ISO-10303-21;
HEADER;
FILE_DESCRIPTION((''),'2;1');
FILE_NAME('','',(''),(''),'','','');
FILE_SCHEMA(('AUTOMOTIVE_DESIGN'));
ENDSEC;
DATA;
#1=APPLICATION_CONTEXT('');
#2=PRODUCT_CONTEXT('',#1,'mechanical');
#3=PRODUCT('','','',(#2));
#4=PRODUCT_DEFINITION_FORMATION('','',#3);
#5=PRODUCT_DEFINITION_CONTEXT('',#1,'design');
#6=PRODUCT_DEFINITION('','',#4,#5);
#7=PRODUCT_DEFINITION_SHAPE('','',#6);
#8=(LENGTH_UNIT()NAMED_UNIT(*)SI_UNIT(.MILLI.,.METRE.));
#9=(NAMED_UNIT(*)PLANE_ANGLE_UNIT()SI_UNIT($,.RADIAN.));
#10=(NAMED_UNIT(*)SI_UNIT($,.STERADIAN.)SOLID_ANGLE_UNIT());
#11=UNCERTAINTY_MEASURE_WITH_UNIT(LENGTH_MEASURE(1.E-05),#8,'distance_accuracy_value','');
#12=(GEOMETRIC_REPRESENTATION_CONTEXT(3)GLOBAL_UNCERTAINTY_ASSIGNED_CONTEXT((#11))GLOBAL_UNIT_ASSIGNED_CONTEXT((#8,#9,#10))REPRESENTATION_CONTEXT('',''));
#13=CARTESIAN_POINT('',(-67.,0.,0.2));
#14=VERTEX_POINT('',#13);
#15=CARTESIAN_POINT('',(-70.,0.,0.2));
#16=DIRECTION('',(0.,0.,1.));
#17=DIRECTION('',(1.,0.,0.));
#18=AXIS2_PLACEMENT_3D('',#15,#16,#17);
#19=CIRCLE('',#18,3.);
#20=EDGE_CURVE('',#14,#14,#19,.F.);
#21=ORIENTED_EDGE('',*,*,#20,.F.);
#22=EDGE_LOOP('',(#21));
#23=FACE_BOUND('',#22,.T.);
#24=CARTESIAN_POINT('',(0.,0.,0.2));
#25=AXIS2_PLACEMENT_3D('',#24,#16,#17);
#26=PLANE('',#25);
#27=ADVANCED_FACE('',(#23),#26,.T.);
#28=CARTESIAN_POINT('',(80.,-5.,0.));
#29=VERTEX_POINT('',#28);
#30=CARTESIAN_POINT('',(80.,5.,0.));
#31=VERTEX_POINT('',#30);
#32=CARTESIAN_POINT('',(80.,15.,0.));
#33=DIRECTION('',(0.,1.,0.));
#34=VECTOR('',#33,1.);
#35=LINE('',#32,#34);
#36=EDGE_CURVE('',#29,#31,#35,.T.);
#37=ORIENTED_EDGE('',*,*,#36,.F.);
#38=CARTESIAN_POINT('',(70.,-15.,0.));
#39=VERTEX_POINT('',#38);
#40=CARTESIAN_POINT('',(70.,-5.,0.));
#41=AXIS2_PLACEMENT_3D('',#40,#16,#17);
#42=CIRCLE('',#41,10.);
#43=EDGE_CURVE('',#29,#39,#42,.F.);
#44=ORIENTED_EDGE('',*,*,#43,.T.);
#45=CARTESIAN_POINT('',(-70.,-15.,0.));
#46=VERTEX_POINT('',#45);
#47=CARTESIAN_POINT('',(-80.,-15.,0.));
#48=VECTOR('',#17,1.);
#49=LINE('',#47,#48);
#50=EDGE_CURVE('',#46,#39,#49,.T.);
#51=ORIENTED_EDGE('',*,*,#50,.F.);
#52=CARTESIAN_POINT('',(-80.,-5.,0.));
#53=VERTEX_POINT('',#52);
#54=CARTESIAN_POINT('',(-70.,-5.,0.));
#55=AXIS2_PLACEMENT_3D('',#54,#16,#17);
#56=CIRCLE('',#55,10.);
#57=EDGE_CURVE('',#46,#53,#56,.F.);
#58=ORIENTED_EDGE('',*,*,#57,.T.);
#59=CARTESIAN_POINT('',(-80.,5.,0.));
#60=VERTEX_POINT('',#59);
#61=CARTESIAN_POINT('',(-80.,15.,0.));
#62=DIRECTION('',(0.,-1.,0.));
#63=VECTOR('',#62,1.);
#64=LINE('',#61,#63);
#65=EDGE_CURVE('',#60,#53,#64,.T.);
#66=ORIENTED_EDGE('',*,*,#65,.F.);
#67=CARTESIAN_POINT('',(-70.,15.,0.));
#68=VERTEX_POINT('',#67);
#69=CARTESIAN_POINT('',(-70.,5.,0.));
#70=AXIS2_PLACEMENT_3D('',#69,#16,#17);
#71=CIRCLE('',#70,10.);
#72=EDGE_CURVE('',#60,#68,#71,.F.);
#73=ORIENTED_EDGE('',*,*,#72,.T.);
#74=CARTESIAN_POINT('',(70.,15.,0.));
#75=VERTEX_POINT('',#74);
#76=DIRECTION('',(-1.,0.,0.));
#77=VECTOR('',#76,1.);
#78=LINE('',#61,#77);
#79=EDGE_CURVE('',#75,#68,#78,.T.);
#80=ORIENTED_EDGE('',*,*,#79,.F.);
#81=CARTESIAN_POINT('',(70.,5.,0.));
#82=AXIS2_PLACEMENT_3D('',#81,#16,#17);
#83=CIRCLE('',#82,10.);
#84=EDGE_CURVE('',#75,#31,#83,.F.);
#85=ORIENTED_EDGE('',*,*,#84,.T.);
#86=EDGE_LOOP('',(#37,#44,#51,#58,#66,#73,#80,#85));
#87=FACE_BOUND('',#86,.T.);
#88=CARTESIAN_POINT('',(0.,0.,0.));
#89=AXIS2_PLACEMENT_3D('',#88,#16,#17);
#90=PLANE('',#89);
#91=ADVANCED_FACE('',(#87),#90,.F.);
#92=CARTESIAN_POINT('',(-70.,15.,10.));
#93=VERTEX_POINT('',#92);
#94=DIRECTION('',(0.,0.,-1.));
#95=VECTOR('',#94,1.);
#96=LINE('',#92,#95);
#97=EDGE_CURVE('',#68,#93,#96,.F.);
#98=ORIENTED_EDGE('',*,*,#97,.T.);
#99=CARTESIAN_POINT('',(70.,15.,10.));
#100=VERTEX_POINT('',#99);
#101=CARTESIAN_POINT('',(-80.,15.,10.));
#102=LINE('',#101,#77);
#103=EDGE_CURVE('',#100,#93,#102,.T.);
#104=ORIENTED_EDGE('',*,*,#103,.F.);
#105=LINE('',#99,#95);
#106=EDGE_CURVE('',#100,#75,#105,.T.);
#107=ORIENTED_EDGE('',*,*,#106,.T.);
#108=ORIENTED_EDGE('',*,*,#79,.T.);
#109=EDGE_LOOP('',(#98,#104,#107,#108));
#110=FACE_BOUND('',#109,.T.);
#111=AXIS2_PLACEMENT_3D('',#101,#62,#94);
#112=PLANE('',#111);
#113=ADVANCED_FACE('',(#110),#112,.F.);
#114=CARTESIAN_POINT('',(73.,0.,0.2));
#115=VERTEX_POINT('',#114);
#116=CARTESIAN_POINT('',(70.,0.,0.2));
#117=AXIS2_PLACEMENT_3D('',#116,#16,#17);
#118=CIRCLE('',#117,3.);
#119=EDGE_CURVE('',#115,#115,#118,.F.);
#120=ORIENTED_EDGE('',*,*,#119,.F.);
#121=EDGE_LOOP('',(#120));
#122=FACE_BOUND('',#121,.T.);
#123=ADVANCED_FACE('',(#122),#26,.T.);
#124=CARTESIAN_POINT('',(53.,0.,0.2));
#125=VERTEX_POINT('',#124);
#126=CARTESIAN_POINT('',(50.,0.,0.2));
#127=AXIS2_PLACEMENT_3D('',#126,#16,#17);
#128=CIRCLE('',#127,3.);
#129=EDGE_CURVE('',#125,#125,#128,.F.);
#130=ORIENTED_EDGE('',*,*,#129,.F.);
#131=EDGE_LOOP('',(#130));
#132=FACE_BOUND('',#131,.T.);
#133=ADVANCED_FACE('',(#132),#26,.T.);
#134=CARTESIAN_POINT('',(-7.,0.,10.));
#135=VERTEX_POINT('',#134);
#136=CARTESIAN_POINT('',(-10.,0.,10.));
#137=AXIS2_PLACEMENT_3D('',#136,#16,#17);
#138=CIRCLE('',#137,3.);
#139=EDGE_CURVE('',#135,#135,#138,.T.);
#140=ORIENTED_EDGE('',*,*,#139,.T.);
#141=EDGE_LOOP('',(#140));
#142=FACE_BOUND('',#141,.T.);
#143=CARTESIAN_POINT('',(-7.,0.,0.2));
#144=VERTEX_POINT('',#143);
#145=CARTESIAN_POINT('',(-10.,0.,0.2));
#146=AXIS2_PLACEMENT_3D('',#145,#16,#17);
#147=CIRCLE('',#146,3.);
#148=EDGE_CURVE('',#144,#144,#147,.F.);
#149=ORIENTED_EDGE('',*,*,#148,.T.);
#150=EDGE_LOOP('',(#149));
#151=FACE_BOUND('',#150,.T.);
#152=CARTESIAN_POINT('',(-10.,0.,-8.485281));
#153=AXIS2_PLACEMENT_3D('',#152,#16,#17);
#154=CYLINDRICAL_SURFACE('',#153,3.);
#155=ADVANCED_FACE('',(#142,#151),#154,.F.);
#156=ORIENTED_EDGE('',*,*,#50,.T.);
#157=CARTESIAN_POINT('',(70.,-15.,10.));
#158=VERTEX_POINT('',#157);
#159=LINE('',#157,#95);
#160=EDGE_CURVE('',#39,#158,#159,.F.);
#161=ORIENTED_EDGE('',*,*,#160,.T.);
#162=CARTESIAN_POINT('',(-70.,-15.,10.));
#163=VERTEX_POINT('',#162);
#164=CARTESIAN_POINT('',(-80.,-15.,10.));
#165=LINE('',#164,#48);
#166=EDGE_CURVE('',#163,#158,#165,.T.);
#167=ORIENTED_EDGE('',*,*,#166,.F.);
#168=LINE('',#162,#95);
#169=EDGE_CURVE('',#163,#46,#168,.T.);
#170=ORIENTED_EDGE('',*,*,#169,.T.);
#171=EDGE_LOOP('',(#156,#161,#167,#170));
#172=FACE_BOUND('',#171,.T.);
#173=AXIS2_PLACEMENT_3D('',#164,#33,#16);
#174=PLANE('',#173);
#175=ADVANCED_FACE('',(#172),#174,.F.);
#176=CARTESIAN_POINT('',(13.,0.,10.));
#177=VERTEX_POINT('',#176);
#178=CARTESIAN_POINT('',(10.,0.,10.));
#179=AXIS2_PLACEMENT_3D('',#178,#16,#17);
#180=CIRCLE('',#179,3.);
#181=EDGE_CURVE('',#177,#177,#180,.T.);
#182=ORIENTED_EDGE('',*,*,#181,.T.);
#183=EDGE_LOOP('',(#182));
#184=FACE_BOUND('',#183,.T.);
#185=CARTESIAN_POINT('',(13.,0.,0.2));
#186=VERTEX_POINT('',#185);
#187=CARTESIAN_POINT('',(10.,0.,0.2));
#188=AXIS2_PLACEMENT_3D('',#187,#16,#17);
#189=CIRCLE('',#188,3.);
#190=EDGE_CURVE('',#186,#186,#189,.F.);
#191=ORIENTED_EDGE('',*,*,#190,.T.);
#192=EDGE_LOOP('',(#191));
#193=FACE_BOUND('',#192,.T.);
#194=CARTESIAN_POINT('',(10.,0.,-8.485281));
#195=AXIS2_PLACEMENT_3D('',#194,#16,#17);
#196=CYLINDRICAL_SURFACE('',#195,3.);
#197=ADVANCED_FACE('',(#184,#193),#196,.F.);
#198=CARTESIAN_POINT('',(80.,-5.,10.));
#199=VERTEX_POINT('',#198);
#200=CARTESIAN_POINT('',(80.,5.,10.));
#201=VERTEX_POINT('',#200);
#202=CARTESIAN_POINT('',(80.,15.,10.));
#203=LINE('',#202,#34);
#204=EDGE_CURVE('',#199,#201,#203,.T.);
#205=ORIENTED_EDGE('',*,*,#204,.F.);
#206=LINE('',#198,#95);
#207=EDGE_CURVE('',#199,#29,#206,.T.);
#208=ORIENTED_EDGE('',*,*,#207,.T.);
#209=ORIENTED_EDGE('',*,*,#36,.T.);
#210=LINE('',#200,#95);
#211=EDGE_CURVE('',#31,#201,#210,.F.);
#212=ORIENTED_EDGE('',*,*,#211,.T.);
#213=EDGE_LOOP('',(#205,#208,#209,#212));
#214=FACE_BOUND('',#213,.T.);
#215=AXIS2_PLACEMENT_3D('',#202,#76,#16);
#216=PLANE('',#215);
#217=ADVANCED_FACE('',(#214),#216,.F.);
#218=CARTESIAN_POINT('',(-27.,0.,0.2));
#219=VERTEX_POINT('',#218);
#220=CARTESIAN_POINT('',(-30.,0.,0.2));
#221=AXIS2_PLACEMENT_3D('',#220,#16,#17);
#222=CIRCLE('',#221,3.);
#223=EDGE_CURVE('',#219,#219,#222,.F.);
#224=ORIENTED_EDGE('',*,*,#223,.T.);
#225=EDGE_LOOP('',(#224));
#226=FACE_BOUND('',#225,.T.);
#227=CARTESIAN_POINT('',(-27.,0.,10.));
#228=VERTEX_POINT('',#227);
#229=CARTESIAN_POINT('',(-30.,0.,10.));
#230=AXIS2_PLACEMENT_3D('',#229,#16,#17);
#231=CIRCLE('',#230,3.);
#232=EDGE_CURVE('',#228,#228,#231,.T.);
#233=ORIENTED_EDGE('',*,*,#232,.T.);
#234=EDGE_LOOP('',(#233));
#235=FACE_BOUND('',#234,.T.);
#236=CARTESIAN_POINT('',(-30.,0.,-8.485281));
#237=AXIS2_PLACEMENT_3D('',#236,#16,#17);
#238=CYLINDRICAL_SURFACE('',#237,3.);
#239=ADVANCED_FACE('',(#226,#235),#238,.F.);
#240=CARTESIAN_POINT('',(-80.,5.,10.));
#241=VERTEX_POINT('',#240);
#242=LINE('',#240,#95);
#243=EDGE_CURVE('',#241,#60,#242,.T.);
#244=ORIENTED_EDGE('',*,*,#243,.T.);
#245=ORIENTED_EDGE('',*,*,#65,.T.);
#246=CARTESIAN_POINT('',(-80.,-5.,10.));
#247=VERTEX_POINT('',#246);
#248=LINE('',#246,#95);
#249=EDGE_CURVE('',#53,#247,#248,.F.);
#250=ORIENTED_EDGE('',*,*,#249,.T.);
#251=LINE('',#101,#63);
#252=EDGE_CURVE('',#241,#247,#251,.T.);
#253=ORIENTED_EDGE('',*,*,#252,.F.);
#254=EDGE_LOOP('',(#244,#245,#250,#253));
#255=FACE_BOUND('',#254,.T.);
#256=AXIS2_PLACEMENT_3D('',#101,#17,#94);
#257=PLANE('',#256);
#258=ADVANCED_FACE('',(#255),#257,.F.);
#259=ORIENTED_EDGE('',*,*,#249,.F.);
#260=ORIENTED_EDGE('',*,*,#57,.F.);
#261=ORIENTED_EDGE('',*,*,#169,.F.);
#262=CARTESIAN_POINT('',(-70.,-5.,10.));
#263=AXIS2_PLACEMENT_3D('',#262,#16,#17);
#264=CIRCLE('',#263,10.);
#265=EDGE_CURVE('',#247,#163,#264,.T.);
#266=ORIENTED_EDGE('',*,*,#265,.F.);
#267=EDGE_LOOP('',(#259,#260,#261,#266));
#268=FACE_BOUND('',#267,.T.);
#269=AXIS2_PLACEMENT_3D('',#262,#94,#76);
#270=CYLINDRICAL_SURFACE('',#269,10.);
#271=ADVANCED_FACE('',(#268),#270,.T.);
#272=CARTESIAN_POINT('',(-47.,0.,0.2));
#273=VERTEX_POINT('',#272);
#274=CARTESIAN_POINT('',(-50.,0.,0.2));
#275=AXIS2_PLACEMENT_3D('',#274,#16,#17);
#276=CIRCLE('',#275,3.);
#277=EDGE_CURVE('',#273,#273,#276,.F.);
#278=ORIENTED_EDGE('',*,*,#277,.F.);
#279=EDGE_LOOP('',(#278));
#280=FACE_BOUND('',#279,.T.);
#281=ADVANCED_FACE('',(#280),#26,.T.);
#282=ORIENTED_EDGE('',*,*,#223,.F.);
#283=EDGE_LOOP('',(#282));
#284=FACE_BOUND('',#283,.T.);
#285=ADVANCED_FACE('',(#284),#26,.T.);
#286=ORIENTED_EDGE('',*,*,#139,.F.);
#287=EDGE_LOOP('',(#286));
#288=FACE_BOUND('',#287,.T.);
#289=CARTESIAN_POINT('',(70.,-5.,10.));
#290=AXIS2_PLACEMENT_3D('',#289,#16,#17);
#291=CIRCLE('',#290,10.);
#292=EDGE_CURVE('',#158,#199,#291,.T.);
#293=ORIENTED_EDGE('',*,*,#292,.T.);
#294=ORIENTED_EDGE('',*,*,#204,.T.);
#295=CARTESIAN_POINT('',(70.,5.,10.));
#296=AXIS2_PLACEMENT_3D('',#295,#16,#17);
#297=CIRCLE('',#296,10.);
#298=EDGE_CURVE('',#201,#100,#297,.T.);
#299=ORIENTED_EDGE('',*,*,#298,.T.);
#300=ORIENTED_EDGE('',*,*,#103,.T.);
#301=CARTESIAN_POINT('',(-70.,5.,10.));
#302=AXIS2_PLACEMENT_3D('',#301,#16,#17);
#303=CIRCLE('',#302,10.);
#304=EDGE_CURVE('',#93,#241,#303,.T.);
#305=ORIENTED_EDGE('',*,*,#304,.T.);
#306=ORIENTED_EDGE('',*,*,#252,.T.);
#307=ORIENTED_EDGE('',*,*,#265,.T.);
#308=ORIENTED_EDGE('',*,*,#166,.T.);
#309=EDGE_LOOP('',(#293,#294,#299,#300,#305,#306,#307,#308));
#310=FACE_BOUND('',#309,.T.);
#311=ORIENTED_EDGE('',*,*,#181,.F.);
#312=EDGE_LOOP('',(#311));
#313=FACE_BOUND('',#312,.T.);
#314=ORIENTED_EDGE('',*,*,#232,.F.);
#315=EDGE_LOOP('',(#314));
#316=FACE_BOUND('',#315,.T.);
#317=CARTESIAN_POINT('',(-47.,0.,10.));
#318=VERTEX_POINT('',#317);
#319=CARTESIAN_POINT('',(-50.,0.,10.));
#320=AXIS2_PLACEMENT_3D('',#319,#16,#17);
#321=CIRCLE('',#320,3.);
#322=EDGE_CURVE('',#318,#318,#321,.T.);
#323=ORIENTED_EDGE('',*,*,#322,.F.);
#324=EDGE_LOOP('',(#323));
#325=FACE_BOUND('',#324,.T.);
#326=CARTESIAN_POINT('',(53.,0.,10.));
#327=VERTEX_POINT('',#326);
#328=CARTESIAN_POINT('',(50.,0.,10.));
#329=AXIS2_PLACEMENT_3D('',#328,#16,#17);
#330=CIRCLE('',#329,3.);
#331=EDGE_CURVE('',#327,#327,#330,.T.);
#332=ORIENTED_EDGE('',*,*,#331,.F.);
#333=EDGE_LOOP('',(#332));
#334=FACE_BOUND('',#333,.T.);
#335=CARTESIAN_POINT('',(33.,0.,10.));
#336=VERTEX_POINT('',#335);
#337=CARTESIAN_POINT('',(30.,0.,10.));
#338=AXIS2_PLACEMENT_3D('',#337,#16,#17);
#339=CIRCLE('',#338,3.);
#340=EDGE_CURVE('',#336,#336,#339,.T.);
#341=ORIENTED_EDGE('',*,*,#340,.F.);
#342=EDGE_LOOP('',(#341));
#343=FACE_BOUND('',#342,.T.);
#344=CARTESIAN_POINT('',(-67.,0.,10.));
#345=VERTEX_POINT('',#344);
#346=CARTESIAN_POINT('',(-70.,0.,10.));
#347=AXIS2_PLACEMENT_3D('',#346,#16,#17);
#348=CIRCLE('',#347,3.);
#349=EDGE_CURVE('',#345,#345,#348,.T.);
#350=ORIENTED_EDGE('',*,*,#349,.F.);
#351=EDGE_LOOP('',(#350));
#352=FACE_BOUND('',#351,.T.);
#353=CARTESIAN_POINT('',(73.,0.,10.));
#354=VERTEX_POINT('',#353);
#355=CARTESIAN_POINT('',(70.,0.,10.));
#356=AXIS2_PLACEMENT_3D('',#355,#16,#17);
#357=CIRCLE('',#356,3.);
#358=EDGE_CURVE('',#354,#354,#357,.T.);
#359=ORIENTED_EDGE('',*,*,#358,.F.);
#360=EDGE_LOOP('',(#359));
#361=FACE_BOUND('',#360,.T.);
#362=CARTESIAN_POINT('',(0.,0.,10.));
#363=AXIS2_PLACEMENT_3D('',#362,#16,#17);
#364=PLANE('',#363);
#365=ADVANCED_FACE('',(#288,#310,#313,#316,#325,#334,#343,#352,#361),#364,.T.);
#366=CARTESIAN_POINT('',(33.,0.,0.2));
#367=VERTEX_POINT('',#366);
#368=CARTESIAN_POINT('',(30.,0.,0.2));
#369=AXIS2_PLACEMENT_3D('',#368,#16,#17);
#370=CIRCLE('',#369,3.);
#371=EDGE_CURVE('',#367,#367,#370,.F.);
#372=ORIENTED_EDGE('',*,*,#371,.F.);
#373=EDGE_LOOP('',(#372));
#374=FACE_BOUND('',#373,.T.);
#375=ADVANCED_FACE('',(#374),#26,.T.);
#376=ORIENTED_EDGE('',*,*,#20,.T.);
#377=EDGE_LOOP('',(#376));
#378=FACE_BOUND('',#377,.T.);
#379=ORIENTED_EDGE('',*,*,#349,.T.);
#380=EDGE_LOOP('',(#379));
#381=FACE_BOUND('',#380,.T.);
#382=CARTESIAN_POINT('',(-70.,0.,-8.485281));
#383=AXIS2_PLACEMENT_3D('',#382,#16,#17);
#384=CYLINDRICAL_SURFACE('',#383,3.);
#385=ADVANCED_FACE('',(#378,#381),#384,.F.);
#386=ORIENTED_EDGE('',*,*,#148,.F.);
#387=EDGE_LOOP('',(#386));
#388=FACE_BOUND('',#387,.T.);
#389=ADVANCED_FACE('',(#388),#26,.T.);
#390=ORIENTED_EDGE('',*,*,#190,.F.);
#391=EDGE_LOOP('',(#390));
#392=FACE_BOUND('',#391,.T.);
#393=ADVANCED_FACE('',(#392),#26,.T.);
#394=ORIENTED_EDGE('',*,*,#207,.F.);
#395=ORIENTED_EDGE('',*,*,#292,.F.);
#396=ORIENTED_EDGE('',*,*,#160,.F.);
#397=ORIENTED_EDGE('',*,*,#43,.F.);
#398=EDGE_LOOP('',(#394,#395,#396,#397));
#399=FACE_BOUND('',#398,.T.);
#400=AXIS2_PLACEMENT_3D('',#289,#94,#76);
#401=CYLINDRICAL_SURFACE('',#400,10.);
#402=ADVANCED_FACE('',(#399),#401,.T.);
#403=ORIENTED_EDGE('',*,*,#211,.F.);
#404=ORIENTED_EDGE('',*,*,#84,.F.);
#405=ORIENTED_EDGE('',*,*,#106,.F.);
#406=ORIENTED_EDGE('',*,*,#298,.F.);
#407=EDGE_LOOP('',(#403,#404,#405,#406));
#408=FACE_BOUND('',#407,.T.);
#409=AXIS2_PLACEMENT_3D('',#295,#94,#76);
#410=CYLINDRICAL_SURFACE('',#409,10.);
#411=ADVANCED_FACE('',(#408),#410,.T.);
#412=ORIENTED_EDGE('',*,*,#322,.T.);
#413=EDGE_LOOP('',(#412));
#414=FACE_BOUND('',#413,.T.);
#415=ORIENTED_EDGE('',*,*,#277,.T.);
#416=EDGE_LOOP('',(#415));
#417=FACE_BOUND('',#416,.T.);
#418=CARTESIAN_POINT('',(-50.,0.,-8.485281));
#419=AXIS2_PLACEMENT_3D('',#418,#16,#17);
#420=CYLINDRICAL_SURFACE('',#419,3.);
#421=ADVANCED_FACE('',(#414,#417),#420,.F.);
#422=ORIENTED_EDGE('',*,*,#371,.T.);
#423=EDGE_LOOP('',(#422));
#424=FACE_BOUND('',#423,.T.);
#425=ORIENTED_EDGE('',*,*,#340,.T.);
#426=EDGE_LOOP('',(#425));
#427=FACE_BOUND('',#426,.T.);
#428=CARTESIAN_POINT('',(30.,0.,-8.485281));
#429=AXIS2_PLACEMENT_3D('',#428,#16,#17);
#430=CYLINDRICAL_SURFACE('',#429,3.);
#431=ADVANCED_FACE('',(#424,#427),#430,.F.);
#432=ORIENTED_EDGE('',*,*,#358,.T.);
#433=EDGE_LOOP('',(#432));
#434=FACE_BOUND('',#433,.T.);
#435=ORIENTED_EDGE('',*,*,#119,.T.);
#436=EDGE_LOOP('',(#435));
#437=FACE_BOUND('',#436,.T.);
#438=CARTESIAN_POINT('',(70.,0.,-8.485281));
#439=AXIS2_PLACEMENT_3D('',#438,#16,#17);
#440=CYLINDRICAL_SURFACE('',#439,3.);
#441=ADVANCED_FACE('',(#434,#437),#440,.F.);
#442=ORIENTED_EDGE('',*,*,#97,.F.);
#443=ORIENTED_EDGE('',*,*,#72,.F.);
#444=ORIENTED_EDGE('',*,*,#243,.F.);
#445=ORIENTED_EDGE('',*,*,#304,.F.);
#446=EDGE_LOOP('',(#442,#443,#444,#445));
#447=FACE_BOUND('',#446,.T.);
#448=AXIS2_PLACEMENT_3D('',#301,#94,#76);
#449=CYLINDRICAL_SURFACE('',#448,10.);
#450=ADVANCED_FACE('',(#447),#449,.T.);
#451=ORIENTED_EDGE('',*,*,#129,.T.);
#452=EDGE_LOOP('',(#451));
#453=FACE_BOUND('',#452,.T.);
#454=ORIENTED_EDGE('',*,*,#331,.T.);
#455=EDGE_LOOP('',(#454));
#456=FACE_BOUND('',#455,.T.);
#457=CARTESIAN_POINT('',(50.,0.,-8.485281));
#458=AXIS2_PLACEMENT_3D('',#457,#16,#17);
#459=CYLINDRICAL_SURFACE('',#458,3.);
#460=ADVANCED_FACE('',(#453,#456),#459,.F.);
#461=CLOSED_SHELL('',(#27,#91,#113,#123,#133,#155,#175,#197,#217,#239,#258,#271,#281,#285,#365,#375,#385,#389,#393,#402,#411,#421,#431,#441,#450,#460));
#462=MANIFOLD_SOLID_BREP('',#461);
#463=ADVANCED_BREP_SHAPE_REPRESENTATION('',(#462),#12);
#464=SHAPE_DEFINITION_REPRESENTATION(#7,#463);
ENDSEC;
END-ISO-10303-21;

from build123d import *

# Parameters (mm, degrees)
SKETCH1_W           = 160
SKETCH1_H           = 30
BOSS_EXTRUDE1_DEPTH = 10
SKETCH2_R           = 3
CUT_EXTRUDE1_DEPTH  = 9.8
FILLET2_R           = 10


with BuildPart() as part:
    # Sketch1 → Boss-Extrude1 (new body)
    with BuildSketch(Plane.XY):
        Rectangle(SKETCH1_W, SKETCH1_H)
    extrude(amount=BOSS_EXTRUDE1_DEPTH)

    # Sketch2 → Cut-Extrude1 (cut)
    with BuildSketch(Plane.XY.offset(10)):
        with Locations((30, 0)):
            Circle(SKETCH2_R)
        with Locations((-30, 0)):
            Circle(SKETCH2_R)
        with Locations((-70, 0)):
            Circle(SKETCH2_R)
        with Locations((-50, 0)):
            Circle(SKETCH2_R)
        with Locations((50, 0)):
            Circle(SKETCH2_R)
        with Locations((70, 0)):
            Circle(SKETCH2_R)
        with Locations((-10, 0)):
            Circle(SKETCH2_R)
        with Locations((10, 0)):
            Circle(SKETCH2_R)
    extrude(amount=-CUT_EXTRUDE1_DEPTH, mode=Mode.SUBTRACT)

    # Fillet2
    fillet2_edges = [part.edges().sort_by_distance(p)[0] for p in [
        (80, -15, 5),
        (-80, -15, 5),
        (-80, 15, 5),
        (80, 15, 5),
    ]]
    fillet(fillet2_edges, radius=FILLET2_R)


solid = part.part
